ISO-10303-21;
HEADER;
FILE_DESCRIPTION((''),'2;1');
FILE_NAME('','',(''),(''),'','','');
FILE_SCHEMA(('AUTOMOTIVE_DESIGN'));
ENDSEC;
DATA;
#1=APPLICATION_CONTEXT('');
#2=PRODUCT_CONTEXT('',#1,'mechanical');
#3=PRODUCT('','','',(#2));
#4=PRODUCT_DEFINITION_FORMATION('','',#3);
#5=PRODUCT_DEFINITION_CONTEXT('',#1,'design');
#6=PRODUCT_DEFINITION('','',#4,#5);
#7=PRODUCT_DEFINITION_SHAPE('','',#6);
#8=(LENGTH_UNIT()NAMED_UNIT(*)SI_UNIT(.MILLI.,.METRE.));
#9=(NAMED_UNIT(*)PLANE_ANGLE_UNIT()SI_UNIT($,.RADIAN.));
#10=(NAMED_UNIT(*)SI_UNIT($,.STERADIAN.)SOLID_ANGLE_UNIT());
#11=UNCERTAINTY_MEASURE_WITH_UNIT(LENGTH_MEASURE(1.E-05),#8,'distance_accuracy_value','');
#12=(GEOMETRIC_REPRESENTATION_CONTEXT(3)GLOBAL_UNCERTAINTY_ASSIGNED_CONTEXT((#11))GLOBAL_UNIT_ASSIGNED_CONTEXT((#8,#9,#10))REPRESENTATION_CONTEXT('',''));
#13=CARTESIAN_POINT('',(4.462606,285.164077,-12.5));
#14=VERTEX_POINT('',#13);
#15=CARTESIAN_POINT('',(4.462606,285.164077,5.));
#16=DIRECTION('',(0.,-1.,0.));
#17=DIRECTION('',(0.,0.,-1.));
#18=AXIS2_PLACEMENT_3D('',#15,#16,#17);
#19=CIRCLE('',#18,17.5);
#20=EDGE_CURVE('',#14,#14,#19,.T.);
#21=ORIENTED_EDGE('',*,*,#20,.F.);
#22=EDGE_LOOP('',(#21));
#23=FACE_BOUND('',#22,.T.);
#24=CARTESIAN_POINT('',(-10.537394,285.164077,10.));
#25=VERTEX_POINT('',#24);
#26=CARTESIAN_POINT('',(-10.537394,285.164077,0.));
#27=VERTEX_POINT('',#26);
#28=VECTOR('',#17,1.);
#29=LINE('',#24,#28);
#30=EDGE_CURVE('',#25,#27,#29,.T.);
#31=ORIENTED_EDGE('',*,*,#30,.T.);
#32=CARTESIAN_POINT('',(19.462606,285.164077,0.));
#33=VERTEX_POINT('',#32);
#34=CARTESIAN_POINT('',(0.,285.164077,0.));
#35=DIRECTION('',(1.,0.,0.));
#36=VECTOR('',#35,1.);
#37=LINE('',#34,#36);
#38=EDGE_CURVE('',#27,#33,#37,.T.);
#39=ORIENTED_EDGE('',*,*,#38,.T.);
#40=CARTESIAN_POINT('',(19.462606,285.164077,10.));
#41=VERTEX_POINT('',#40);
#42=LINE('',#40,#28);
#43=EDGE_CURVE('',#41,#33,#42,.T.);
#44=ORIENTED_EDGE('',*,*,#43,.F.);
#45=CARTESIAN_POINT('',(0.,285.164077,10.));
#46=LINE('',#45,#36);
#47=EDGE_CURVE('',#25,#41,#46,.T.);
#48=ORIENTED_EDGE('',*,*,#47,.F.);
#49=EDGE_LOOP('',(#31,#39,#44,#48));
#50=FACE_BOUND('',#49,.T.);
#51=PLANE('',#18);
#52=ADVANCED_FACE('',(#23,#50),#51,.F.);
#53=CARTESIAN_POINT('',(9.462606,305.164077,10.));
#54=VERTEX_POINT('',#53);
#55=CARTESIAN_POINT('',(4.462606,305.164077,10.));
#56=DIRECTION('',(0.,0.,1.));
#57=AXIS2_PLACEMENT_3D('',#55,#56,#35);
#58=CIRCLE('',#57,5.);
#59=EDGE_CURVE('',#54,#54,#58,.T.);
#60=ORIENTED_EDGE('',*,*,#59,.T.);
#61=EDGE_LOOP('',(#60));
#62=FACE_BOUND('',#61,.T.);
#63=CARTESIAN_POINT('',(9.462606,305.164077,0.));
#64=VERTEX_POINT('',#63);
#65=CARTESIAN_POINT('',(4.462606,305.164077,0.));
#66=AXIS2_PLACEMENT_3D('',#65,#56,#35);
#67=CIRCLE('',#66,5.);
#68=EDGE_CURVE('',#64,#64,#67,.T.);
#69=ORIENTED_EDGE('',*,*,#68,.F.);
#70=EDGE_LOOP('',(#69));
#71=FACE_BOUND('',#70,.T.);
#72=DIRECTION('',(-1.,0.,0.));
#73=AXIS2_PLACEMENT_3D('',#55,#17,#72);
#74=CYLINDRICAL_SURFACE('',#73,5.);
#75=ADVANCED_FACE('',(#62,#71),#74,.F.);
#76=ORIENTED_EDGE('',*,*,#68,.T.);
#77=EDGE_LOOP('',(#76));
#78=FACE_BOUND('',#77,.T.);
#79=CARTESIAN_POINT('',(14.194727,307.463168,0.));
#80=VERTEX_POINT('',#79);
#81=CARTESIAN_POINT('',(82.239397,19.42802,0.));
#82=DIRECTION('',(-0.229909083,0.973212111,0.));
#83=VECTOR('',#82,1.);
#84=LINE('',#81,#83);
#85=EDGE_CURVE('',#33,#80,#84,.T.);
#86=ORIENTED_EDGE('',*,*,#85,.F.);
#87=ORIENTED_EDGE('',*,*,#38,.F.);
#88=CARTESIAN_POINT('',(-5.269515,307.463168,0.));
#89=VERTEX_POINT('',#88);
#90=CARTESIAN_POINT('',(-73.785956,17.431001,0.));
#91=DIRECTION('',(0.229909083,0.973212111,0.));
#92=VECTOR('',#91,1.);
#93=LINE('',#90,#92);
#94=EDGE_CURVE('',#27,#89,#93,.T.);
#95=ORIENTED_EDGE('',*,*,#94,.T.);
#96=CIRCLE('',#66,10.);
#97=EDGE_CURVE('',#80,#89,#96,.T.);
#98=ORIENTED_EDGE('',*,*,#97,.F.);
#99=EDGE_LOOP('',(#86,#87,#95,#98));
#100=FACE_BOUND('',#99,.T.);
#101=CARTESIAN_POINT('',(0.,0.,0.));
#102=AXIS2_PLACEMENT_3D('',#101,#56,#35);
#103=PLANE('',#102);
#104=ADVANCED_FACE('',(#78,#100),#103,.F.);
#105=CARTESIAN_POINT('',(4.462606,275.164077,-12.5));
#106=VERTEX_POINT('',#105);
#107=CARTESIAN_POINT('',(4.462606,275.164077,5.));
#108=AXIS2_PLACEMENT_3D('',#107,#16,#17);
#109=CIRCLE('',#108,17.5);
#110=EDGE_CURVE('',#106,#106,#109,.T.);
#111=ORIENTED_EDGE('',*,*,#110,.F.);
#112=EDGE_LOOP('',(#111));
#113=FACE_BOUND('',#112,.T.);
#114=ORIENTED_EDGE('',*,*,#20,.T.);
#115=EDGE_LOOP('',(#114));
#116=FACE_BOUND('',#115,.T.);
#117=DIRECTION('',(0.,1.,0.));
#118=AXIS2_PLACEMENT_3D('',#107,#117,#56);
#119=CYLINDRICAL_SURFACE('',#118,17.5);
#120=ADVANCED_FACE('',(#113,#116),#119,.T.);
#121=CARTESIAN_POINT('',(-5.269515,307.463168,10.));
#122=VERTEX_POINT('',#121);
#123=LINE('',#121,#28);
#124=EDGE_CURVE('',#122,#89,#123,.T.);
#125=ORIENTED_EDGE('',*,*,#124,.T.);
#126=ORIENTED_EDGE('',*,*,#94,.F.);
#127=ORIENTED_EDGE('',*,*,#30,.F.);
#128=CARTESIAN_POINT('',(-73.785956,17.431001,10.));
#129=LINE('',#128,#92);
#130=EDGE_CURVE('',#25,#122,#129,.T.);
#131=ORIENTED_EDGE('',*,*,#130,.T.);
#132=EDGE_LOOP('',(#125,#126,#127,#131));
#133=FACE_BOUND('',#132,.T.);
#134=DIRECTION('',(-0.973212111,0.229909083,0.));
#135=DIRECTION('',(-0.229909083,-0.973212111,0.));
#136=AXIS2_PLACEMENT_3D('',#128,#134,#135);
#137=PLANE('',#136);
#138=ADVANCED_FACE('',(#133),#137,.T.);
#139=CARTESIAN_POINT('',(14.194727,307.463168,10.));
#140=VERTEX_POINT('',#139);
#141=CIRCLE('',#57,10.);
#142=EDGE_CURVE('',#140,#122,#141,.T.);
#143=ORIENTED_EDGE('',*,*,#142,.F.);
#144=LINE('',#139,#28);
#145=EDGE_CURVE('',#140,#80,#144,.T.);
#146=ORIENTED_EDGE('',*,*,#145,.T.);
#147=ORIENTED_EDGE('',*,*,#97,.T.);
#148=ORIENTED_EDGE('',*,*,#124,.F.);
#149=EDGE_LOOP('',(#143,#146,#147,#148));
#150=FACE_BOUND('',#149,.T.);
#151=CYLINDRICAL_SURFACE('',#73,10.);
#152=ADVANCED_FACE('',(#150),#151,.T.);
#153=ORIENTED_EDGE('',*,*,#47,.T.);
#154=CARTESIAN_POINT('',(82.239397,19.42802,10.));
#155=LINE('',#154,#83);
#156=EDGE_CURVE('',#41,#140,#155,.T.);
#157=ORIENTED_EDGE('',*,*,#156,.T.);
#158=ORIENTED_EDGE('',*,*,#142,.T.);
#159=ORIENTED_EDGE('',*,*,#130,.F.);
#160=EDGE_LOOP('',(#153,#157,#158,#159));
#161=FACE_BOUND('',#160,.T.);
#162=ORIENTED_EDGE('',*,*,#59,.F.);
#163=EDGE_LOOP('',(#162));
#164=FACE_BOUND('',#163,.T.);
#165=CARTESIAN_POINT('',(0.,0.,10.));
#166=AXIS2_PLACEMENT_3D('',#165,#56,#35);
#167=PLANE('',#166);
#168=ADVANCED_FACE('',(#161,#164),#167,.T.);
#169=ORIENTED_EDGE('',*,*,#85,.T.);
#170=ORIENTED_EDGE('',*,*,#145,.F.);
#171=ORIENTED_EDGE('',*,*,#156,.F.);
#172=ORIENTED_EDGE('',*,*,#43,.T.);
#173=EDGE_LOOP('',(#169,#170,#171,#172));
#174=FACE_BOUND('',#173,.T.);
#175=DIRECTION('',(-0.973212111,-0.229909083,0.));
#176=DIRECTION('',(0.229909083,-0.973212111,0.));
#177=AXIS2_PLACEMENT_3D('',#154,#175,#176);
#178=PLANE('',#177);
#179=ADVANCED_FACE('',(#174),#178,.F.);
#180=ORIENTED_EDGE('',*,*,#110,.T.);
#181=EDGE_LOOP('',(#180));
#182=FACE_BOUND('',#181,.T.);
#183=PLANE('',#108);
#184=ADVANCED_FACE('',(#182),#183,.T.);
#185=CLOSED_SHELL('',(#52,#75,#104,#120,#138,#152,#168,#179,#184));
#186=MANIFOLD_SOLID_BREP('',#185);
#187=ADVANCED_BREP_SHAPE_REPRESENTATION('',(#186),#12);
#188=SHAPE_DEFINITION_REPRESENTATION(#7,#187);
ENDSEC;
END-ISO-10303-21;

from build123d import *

# Parameters (mm, degrees)
SKETCH_1_R           = 5
EXTRUDE_1_DEPTH      = 10
EXTRUDE_2_DEPTH      = 5
EXTRUDE_2_DEPTH_BACK = 5
SKETCH_2_R           = 17.5


with BuildPart() as part:
    # 草图1 → 凸台-拉伸1 (new body)
    with BuildSketch(Plane.XY):
        with BuildLine():
            Line((-5.269515354, 307.463167958), (-10.537394242, 285.164077124))
            Line((-10.537394242, 285.164077124), (-10.537394242, 280.164077124))
            Line((-10.537394242, 280.164077124), (19.462605758, 280.164077124))
            Line((19.462605758, 280.164077124), (19.462605758, 285.164077124))
            Line((19.462605758, 285.164077124), (14.19472687, 307.463167958))
            ThreePointArc((14.19472687, 307.463167958), (4.462605758, 315.164077124), (-5.269515354, 307.463167958))
        make_face()
        with Locations((4.462605758, 305.164077124)):
            Circle(SKETCH_1_R, mode=Mode.SUBTRACT)
    extrude(amount=EXTRUDE_1_DEPTH)

    # 草图2 → 凸台-拉伸2 (add, two sides: drawn at the far end of the back side and taken through both)
    with BuildSketch(Plane.XZ.offset(-280.164077124).offset(-EXTRUDE_2_DEPTH_BACK)):
        with Locations((4.462605758, 5)):
            Circle(SKETCH_2_R)
    extrude(amount=EXTRUDE_2_DEPTH + EXTRUDE_2_DEPTH_BACK)


solid = part.part
